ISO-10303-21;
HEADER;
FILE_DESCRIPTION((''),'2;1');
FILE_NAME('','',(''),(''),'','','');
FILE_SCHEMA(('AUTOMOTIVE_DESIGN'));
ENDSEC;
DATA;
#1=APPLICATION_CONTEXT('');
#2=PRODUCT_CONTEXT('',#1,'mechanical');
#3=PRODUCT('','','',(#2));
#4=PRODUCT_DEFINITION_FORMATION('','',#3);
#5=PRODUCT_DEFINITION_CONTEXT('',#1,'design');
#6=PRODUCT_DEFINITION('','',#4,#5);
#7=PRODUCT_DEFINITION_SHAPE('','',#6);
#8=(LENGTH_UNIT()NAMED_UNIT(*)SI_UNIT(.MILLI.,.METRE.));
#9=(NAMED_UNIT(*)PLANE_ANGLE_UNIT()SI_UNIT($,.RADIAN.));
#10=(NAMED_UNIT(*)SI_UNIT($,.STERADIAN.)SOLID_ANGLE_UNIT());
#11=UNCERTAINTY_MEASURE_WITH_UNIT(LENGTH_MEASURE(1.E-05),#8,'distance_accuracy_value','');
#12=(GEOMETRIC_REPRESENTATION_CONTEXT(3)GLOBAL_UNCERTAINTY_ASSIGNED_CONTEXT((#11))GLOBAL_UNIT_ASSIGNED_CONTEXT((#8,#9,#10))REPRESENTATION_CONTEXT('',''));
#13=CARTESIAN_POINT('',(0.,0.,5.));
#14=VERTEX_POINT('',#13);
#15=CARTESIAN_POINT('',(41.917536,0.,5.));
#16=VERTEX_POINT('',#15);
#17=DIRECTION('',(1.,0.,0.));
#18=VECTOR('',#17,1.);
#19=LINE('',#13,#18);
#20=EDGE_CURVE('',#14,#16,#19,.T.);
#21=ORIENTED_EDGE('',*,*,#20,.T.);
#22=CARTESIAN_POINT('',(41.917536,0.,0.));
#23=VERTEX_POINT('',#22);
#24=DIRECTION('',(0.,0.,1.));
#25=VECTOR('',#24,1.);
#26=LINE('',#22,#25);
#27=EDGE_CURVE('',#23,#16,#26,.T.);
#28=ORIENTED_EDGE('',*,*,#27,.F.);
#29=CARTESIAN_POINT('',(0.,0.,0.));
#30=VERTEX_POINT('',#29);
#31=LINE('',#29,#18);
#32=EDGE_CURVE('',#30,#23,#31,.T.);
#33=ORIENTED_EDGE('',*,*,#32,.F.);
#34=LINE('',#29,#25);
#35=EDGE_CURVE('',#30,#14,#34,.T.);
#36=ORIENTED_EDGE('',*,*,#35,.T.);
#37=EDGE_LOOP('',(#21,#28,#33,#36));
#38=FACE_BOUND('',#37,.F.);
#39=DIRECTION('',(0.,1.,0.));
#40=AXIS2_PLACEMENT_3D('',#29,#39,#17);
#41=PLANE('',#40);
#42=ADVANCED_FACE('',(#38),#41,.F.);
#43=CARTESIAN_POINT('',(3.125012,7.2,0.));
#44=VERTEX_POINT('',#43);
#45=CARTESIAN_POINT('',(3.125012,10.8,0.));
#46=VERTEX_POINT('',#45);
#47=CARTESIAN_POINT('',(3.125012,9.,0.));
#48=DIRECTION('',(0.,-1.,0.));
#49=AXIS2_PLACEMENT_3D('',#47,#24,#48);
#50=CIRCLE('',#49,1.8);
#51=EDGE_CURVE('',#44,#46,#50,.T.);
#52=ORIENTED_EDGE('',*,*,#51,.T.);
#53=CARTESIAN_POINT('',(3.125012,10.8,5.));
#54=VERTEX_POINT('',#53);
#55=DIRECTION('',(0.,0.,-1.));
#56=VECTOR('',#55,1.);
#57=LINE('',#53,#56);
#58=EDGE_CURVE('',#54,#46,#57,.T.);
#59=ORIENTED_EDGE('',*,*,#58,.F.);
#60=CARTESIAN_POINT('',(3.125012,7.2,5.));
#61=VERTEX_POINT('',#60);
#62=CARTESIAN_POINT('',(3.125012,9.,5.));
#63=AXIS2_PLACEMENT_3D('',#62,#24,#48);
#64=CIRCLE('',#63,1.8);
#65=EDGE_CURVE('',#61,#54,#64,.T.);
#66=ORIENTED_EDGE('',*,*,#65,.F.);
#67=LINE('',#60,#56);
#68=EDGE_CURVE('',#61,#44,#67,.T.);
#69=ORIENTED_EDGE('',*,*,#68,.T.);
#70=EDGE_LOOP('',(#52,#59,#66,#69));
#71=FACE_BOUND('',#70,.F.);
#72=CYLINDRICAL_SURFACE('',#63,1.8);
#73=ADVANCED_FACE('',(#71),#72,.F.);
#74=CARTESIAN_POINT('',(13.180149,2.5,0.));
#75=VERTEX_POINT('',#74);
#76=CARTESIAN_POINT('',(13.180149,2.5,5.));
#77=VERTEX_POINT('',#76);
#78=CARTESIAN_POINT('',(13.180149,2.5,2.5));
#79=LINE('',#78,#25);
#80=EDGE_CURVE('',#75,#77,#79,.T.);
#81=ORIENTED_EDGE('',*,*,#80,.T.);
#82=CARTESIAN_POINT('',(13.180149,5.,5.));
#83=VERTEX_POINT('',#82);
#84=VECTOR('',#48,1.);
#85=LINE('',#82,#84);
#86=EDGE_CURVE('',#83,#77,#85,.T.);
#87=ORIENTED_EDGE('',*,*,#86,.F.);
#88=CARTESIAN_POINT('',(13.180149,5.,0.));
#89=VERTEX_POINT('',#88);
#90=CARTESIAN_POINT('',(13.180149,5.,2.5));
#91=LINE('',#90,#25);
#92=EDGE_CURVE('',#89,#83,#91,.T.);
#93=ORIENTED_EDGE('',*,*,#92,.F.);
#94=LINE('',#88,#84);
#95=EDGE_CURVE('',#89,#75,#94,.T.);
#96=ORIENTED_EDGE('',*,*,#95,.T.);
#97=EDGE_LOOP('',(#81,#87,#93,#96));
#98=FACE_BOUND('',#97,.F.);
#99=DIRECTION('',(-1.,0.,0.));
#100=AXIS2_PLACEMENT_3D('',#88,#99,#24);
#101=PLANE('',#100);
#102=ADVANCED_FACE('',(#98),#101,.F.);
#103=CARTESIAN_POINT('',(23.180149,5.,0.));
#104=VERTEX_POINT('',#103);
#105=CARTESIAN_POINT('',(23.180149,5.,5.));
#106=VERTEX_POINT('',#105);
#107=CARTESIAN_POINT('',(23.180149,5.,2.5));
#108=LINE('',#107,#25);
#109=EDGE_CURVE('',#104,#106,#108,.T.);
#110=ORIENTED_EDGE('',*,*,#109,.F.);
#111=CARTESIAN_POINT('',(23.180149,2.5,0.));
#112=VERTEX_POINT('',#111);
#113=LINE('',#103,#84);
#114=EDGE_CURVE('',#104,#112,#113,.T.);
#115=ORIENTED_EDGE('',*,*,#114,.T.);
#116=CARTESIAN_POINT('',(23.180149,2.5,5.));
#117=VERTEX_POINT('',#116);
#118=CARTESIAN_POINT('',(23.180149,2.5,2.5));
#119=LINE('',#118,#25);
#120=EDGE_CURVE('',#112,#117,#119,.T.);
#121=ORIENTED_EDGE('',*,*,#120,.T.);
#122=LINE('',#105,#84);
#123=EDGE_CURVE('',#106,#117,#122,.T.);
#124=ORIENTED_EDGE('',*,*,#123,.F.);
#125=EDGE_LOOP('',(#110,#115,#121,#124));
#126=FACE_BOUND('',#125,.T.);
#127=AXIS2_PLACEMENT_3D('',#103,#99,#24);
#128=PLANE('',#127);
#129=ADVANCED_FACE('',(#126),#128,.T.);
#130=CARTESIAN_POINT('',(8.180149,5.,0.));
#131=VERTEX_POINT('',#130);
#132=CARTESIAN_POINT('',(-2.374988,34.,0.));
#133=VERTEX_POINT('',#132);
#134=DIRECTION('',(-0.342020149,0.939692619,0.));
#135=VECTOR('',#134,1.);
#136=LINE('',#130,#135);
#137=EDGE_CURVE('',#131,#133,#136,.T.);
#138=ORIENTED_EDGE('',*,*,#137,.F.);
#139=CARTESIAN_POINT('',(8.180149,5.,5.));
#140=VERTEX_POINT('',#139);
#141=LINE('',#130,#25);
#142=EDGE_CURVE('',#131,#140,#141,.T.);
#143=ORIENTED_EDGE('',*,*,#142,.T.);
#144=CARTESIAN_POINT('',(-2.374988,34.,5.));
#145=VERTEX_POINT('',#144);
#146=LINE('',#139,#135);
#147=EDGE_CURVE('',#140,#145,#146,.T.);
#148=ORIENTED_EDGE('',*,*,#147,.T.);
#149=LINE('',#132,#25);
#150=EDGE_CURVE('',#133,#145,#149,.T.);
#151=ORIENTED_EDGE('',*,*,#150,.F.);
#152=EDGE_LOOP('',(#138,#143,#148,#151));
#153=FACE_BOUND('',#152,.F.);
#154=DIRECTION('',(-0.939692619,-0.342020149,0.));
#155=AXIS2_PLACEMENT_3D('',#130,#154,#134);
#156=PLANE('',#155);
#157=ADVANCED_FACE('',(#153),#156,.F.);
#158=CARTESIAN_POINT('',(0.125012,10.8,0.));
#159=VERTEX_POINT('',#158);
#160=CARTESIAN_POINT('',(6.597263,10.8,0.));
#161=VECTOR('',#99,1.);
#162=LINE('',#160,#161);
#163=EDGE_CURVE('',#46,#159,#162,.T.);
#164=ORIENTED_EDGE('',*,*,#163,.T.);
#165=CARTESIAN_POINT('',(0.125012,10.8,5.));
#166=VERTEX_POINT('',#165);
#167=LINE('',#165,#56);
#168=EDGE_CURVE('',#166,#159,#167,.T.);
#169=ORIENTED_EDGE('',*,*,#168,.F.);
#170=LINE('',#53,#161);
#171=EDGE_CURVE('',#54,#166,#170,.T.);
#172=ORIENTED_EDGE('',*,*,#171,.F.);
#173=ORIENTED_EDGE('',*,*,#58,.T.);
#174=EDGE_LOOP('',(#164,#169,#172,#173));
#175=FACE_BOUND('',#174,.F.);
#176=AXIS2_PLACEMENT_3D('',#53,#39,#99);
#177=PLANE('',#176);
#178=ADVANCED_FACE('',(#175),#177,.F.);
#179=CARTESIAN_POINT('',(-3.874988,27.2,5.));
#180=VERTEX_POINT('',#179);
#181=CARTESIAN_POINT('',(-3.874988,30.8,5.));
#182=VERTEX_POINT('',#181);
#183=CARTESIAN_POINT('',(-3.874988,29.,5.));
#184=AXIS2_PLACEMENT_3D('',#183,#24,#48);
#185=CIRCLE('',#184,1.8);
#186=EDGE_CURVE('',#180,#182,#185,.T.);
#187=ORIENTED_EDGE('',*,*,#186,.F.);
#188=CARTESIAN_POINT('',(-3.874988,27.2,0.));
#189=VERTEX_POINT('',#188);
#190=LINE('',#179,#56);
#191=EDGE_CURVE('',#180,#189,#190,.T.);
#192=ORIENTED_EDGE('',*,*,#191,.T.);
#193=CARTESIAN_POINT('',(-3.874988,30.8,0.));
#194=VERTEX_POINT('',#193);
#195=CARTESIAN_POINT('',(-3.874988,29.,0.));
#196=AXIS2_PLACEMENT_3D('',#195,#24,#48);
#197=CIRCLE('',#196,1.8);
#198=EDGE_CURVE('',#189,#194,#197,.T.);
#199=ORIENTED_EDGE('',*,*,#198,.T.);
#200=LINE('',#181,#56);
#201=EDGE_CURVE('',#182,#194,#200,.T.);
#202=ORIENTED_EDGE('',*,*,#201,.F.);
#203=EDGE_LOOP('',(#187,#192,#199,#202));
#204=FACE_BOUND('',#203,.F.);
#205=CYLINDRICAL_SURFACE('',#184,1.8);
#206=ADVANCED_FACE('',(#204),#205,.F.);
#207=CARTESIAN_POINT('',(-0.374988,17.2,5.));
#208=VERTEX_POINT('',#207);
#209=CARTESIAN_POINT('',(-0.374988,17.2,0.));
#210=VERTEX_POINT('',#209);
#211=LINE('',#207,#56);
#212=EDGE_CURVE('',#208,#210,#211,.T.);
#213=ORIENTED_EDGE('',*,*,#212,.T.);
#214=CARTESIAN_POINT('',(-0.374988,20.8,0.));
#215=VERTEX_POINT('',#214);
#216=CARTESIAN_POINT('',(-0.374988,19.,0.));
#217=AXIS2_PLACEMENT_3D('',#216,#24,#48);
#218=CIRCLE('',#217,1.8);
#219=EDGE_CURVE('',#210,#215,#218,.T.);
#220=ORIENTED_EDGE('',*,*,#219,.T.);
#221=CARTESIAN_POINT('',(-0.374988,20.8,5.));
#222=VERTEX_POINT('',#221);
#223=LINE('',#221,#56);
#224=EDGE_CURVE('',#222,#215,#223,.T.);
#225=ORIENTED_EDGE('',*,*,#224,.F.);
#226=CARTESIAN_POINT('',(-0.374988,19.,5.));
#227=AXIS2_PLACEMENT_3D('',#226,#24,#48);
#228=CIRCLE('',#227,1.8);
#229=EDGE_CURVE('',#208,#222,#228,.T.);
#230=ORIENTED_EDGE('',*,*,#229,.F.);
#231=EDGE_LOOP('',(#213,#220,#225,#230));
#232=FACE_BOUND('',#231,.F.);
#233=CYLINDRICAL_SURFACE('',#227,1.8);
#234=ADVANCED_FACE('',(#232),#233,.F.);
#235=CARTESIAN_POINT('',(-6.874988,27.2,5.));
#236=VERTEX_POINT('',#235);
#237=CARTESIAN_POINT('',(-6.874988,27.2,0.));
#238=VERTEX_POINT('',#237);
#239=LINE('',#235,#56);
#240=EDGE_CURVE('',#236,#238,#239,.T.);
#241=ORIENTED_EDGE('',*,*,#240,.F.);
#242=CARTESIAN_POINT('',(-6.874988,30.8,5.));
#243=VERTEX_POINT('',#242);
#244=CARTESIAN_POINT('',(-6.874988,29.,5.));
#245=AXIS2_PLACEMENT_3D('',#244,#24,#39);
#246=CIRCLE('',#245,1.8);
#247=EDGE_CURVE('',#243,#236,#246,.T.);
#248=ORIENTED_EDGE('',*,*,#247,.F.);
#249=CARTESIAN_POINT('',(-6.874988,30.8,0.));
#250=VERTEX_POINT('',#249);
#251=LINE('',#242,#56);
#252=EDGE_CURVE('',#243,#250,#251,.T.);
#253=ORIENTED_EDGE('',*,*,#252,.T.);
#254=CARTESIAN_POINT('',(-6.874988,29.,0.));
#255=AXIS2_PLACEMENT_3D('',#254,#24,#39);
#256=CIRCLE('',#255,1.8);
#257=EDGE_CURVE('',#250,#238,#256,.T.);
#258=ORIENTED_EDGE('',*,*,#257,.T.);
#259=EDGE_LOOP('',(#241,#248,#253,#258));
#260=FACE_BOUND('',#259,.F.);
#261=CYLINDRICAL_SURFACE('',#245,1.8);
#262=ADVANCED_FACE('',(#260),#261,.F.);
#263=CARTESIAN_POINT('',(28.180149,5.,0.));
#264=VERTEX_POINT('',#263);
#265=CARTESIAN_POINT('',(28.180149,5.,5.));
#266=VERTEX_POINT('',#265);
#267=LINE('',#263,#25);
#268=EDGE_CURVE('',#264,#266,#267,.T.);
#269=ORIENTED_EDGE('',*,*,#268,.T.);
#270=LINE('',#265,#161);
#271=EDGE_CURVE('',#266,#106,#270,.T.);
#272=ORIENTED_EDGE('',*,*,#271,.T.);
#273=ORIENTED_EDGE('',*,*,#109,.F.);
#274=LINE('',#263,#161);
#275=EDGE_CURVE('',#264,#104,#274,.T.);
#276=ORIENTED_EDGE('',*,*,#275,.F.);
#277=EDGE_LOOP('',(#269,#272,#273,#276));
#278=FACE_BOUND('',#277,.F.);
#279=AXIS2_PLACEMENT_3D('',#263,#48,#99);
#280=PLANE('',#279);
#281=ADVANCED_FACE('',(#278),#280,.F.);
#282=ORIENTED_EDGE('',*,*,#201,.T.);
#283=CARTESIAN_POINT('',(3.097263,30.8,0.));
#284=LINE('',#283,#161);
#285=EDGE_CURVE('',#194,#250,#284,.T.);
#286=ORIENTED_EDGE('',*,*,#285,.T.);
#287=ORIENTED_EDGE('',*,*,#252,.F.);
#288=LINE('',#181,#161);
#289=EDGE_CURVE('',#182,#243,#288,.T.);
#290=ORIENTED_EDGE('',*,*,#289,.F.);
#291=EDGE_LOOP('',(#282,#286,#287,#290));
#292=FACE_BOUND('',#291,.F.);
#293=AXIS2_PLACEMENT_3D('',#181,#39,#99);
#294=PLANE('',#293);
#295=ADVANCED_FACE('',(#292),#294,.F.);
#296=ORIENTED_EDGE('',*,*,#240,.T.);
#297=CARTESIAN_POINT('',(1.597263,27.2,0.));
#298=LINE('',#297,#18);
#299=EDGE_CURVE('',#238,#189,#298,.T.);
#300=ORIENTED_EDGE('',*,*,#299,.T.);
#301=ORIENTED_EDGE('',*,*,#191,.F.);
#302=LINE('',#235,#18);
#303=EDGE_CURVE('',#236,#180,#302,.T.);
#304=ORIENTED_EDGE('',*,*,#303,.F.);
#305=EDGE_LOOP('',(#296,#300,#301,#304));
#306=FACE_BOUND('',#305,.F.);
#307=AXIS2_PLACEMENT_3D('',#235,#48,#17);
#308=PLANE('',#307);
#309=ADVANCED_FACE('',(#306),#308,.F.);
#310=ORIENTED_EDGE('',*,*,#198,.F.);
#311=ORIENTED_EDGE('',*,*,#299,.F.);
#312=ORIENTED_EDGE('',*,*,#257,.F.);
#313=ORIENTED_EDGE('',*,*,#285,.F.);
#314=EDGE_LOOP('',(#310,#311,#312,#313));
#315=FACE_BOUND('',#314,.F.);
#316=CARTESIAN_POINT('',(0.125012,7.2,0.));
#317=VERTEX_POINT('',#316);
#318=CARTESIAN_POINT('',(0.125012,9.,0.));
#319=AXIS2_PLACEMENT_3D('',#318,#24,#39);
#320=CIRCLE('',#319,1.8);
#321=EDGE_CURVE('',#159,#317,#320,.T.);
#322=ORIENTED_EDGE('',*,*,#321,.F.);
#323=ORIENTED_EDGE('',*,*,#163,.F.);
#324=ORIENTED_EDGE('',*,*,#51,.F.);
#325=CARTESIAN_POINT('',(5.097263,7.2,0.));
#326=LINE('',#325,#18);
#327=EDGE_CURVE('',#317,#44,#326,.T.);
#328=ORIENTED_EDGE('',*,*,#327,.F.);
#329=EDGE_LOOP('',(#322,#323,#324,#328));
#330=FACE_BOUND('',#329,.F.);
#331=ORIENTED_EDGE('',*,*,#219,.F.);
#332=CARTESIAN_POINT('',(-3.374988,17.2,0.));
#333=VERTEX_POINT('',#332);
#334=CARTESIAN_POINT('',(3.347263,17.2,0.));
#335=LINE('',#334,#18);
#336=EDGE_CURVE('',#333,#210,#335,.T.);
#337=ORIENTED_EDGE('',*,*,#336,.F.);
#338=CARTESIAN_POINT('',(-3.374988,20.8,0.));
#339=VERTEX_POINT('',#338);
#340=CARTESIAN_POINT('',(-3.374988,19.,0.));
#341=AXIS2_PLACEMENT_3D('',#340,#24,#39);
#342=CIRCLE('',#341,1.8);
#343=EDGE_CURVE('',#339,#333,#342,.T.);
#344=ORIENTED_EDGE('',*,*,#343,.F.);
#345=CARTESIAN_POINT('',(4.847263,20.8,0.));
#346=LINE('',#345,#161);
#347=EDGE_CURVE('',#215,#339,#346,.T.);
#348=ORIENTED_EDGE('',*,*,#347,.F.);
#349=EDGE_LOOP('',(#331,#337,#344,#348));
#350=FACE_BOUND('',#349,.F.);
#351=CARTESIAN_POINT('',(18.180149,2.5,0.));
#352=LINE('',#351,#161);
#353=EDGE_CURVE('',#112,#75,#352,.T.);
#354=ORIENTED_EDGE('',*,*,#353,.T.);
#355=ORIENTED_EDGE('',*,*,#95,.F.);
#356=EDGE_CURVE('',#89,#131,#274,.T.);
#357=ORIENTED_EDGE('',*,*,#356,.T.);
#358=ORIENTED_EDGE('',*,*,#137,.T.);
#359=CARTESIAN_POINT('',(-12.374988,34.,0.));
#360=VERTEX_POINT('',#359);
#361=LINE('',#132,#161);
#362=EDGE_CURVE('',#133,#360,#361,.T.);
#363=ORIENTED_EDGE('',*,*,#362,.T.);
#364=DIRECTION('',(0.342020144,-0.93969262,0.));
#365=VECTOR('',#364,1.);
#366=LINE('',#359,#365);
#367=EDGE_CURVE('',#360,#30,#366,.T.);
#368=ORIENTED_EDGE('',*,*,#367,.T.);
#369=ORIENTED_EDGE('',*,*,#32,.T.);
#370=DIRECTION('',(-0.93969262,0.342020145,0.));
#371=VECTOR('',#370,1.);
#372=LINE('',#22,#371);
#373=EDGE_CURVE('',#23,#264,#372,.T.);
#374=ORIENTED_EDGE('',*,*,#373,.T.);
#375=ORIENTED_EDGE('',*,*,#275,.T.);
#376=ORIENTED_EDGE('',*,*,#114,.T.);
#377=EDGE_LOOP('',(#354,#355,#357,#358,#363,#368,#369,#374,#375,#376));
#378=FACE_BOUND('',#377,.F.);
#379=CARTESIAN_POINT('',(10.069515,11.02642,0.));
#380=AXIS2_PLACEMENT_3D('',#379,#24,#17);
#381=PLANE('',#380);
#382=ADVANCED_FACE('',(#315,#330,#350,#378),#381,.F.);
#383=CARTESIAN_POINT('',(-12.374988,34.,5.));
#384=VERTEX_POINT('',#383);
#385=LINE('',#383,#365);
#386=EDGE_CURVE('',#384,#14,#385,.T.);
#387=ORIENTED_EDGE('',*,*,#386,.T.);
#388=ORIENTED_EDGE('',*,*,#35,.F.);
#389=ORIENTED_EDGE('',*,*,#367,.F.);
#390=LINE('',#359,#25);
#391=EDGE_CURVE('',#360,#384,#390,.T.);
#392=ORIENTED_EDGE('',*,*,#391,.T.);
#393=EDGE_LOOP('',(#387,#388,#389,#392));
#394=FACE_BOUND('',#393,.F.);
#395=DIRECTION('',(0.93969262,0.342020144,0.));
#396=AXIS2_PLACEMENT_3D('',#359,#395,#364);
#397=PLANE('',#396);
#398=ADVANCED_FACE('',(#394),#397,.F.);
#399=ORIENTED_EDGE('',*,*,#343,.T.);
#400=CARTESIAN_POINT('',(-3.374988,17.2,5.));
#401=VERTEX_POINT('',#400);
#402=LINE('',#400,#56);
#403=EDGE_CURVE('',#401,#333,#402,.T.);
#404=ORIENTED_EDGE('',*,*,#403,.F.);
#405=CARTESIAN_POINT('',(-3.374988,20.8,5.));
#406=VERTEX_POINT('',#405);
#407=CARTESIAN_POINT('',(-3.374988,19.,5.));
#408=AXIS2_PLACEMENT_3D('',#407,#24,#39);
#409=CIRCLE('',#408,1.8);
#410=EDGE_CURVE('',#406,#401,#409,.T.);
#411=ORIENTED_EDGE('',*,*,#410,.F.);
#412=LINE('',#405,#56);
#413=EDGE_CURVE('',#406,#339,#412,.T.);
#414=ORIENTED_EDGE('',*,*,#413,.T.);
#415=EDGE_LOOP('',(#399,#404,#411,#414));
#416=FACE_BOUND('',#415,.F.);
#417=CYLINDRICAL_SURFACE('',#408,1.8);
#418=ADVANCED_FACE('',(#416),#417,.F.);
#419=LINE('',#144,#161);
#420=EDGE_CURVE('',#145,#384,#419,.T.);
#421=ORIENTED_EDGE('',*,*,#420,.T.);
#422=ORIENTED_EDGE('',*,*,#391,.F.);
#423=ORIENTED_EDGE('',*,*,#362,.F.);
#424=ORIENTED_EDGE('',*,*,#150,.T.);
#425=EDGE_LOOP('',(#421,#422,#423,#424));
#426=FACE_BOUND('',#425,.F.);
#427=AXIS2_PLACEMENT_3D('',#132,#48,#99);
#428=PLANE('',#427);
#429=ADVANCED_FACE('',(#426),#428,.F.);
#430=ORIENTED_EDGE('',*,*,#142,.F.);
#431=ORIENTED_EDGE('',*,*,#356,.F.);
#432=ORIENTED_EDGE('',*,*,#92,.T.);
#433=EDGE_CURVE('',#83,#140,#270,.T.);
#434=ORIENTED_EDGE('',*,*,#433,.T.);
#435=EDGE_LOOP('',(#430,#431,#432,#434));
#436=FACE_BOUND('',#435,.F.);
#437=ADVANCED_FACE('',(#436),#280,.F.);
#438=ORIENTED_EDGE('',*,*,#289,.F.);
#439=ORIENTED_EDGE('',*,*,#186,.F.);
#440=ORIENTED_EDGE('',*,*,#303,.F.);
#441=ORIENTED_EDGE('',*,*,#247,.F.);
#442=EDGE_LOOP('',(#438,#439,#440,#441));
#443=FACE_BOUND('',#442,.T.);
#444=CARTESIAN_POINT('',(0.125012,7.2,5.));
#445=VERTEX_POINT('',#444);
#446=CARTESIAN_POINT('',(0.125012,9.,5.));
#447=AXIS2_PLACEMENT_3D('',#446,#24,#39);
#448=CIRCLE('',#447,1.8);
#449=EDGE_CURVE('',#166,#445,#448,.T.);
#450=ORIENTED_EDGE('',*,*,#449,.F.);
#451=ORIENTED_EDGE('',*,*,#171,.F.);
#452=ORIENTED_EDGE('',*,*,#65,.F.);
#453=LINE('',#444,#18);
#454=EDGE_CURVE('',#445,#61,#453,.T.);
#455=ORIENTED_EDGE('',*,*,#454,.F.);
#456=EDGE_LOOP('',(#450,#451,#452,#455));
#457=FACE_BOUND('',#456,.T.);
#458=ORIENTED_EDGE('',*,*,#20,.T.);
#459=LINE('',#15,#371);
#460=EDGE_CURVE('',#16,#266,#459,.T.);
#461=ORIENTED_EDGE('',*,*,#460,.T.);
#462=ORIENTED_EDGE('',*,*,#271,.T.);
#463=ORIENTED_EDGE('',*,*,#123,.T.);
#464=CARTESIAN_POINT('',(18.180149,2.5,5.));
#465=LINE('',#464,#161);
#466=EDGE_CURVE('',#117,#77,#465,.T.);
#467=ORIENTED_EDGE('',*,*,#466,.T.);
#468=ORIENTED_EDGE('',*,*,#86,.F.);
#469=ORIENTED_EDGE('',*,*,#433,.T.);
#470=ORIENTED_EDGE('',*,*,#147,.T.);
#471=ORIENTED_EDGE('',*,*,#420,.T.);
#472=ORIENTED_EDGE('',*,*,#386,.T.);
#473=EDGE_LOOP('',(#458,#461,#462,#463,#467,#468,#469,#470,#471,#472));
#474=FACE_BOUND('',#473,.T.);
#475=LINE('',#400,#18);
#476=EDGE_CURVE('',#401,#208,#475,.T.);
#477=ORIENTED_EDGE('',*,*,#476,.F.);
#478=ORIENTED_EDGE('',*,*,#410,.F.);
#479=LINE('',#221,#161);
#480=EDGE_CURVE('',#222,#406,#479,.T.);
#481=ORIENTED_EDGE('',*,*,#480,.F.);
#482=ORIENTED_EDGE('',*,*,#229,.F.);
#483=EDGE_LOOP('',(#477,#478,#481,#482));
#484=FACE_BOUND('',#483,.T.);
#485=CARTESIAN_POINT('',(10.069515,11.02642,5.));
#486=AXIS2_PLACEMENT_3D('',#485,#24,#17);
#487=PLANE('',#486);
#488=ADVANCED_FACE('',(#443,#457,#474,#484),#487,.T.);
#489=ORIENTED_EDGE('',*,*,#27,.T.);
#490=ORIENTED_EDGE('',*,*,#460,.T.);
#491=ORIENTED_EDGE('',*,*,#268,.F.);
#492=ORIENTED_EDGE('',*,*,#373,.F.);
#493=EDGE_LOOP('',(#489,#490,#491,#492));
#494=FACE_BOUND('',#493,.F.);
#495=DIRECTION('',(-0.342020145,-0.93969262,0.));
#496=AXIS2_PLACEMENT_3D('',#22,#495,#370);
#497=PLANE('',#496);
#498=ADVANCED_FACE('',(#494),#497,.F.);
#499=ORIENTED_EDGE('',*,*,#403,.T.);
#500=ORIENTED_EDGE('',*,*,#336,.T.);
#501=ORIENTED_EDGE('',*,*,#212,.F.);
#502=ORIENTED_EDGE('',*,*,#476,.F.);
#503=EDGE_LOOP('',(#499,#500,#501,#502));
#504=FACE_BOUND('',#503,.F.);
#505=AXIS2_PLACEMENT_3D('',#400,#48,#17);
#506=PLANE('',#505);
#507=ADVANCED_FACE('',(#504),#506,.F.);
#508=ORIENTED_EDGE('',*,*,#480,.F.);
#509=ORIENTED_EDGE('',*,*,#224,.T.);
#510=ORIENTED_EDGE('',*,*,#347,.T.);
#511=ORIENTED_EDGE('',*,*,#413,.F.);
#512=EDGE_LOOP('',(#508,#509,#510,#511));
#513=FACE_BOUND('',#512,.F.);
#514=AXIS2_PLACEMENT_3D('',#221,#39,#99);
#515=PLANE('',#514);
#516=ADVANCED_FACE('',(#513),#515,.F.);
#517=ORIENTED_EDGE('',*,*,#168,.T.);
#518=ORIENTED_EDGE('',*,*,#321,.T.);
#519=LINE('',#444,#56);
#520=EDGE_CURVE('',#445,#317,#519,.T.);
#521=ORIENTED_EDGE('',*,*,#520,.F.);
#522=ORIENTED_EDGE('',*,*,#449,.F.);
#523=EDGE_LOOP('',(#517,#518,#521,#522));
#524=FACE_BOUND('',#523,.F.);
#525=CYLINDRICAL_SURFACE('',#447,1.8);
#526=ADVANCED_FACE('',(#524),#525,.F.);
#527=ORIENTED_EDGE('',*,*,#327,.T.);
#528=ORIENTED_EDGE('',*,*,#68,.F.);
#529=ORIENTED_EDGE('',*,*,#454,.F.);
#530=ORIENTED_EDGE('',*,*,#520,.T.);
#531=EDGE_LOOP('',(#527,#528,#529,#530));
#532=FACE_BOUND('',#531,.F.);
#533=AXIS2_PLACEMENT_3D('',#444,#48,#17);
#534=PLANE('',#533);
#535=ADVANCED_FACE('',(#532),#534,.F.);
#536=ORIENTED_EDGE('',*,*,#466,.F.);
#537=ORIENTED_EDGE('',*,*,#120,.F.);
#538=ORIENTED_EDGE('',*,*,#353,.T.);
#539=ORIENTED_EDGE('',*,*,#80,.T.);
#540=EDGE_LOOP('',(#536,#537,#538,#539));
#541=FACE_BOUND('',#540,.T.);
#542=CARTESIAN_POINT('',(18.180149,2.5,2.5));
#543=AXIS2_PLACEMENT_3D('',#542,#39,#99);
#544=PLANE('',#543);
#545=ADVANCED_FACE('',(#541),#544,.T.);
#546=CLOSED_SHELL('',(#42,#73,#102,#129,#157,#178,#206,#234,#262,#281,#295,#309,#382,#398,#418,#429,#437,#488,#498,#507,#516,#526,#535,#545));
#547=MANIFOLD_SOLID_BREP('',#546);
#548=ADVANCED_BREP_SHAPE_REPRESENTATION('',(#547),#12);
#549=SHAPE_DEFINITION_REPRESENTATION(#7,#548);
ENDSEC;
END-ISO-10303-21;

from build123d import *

# Parameters (mm, degrees)
PAD_DEPTH       = 5
POCKET_DEPTH    = 5.001
SKETCH002_W     = 10
SKETCH002_H     = 5
POCKET001_DEPTH = 2.5


with BuildPart() as part:
    # Sketch → Pad (new body)
    with BuildSketch(Plane.XY):
        Polygon((-12.374988, 34), (0, 0), (41.917536, 0), (28.180149, 5), (8.180149, 5), (-2.374988, 34), align=None)
    extrude(amount=PAD_DEPTH)

    # Sketch001 (on Face8 of Pad) → Pocket (cut, through all)
    with BuildSketch(Plane.XY.offset(5)):
        with BuildLine():
            ThreePointArc((-6.874988, 30.8), (-8.674988, 29), (-6.874988, 27.2))
            Line((-6.874988, 27.2), (-3.874988, 27.2))
            ThreePointArc((-3.874988, 27.2), (-2.074988, 29), (-3.874988, 30.8))
            Line((-3.874988, 30.8), (-6.874988, 30.8))
        make_face()
        with BuildLine():
            ThreePointArc((-3.374988, 20.8), (-5.174988, 19), (-3.374988, 17.2))
            Line((-3.374988, 17.2), (-0.374988, 17.2))
            ThreePointArc((-0.374988, 17.2), (1.425012, 19), (-0.374988, 20.8))
            Line((-0.374988, 20.8), (-3.374988, 20.8))
        make_face()
        with BuildLine():
            ThreePointArc((0.125012, 10.8), (-1.674988, 9), (0.125012, 7.2))
            Line((0.125012, 7.2), (3.125012, 7.2))
            ThreePointArc((3.125012, 7.2), (4.925012, 9), (3.125012, 10.8))
            Line((3.125012, 10.8), (0.125012, 10.8))
        make_face()
    extrude(amount=-POCKET_DEPTH, mode=Mode.SUBTRACT)

    # Sketch002 (on Face8 of Pocket) → Pocket001 (cut)
    with BuildSketch(Plane(origin=(0, 5, 0), x_dir=(-1, 0, 0), z_dir=(0, 1, 0))):
        with Locations((-18.180149, 2.5)):
            Rectangle(SKETCH002_W, SKETCH002_H)
    extrude(amount=-POCKET001_DEPTH, mode=Mode.SUBTRACT)


solid = part.part
